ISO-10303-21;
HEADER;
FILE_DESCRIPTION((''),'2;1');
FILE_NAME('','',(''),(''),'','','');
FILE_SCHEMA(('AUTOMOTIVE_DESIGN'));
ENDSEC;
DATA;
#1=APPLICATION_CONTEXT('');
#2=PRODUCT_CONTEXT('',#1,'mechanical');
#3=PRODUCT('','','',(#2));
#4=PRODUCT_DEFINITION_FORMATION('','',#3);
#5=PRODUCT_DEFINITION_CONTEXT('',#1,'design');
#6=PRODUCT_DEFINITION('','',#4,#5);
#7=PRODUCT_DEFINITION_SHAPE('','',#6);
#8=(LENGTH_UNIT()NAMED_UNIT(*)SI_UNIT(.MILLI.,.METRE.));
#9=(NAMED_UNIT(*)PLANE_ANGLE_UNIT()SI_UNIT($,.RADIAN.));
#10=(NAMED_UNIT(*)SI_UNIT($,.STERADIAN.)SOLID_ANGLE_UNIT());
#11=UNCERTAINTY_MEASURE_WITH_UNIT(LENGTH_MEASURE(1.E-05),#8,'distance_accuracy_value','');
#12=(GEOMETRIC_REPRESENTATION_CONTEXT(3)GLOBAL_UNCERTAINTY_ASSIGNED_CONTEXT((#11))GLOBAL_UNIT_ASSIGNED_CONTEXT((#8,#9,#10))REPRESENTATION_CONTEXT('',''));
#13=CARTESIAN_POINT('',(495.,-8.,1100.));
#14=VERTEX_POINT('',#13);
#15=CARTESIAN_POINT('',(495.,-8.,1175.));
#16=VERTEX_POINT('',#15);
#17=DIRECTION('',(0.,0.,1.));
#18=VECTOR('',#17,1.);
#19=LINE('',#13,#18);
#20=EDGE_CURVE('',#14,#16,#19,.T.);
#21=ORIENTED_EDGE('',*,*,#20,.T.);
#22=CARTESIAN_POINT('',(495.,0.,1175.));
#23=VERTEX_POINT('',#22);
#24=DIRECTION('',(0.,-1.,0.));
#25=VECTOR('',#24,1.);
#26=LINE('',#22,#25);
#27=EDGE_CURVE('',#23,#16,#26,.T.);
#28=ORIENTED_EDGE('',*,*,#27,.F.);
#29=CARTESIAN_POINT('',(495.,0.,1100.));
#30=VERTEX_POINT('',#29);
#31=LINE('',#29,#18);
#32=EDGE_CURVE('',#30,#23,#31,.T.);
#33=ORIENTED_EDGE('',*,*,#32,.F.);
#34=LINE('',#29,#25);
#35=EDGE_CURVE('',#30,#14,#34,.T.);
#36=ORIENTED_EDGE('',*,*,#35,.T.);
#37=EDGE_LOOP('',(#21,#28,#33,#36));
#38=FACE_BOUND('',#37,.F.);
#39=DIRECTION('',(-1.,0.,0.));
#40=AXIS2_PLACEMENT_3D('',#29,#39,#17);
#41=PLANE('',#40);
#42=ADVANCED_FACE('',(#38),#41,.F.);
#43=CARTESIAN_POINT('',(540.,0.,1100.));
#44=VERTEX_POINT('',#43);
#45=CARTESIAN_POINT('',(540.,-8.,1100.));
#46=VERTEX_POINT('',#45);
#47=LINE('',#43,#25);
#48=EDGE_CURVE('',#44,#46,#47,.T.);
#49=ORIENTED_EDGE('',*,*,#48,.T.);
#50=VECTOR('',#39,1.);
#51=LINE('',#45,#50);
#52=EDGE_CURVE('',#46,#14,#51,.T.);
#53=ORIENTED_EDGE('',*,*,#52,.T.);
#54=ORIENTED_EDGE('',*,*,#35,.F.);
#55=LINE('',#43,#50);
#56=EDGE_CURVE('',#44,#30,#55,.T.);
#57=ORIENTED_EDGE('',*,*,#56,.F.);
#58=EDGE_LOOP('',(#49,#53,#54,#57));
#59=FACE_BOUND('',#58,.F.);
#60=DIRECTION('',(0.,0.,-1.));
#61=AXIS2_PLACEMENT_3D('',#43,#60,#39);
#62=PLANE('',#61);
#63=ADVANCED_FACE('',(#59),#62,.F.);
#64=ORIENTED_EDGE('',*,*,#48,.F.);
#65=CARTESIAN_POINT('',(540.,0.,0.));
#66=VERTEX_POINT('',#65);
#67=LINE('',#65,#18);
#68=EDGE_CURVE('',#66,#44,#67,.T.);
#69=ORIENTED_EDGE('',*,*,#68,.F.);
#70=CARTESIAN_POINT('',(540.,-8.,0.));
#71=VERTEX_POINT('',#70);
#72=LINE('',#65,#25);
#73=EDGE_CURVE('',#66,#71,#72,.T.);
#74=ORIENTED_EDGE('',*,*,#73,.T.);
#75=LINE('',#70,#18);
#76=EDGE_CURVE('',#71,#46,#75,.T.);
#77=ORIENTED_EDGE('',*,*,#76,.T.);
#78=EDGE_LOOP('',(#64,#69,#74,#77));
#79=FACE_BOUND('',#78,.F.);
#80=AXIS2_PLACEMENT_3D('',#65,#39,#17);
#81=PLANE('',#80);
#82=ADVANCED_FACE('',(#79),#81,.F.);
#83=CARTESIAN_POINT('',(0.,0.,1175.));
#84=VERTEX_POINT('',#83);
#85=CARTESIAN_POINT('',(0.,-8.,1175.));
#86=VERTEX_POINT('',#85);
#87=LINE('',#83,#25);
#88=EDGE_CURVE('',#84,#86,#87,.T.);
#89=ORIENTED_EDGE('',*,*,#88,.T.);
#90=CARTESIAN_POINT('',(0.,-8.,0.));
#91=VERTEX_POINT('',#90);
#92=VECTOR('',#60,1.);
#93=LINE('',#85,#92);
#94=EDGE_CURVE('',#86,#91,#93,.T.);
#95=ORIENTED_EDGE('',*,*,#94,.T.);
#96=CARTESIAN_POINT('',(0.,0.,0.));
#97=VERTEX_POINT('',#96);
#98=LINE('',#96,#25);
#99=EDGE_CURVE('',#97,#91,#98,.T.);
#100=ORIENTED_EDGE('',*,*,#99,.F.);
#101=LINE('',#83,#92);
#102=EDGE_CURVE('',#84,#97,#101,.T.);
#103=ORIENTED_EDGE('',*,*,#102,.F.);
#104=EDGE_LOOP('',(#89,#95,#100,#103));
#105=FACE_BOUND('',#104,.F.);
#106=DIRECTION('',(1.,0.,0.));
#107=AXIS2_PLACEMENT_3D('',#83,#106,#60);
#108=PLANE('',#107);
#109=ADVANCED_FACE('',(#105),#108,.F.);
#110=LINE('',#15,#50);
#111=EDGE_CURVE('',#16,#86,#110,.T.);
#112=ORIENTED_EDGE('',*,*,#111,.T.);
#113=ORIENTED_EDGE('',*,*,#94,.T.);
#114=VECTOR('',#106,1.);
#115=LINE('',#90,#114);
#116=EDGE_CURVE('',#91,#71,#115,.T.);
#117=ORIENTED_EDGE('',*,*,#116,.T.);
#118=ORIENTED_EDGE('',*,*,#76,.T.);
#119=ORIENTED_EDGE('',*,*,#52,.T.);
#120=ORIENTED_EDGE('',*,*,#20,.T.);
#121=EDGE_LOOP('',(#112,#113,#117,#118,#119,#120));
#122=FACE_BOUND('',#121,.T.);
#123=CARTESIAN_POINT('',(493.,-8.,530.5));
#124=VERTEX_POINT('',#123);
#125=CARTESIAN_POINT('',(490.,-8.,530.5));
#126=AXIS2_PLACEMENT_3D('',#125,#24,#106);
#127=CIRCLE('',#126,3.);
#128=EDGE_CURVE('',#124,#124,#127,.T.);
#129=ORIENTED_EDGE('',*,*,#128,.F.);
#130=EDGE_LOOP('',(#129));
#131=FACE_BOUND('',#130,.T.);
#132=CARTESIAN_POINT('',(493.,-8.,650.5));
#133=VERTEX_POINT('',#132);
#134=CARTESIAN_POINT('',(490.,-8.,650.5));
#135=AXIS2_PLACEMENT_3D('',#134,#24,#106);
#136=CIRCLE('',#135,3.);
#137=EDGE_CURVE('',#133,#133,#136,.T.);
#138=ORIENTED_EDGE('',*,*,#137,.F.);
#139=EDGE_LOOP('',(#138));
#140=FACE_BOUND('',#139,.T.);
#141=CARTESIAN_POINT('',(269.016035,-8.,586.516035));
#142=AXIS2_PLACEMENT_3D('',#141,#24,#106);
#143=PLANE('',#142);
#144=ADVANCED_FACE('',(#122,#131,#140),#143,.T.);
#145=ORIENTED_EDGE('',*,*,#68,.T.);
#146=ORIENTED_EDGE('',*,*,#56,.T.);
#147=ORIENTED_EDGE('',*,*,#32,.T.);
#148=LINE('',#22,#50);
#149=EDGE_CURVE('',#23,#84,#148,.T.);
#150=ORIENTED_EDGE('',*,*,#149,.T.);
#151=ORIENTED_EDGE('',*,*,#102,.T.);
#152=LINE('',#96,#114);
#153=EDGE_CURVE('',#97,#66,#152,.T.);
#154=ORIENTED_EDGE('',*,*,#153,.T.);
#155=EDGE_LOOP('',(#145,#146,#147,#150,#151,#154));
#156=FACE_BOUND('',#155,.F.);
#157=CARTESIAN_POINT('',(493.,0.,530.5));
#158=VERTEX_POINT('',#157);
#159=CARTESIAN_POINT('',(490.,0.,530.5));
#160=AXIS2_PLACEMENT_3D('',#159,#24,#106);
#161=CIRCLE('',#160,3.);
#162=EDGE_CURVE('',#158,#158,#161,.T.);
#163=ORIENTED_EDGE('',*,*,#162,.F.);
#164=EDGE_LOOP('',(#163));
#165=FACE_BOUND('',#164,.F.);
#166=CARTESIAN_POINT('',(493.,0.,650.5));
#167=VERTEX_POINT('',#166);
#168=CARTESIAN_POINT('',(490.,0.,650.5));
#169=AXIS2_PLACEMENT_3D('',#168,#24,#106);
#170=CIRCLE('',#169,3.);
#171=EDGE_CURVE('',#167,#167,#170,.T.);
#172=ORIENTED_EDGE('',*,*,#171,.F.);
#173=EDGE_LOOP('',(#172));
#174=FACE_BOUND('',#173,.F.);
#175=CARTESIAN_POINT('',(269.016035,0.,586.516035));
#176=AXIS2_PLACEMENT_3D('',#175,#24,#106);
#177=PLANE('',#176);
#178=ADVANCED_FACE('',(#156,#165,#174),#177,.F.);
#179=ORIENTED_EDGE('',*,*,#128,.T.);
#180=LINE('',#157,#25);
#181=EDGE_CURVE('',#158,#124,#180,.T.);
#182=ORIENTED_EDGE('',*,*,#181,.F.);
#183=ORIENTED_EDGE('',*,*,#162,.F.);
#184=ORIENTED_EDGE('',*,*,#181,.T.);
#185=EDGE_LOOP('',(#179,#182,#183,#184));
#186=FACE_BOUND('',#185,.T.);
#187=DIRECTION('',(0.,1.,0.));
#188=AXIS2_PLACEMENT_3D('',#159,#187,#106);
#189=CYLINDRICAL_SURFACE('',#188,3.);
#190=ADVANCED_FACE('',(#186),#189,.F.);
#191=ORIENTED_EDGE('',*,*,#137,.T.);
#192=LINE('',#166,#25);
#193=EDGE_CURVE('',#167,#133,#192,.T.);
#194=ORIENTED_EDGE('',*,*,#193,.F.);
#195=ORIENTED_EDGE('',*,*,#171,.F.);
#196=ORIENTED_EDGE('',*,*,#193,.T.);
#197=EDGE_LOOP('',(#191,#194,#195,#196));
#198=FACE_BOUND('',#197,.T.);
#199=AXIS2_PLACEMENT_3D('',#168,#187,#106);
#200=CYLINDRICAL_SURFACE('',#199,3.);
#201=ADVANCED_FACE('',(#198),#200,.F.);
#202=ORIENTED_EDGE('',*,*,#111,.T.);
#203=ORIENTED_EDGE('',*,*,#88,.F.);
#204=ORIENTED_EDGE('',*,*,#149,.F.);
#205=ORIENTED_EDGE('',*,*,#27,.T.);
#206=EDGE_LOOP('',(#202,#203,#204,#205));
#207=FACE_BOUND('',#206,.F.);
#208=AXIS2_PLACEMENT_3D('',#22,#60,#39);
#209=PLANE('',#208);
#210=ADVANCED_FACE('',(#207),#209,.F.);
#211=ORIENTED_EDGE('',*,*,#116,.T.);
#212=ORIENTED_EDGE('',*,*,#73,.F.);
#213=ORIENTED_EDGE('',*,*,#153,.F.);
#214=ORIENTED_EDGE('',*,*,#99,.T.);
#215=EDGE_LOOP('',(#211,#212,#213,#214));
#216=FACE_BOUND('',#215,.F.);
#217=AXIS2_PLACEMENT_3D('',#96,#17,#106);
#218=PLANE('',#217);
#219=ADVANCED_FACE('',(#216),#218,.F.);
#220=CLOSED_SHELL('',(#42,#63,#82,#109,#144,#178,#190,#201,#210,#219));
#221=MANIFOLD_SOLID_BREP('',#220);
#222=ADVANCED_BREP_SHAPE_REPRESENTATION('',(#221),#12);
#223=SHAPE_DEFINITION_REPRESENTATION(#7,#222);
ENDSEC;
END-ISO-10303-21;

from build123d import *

# Parameters (mm, degrees)
F0_R     = 3
F1_DEPTH = 8


with BuildPart() as f1:
    # F0 (on Front) → F1 (new body)
    with BuildSketch(Plane.XZ):
        Polygon((0, 1175), (0, 0), (540, 0), (540, 1100), (495, 1100), (495, 1175), align=None)
        with Locations((490, 530.5)):
            Circle(F0_R, mode=Mode.SUBTRACT)
        with Locations((490, 650.5)):
            Circle(F0_R, mode=Mode.SUBTRACT)
    extrude(amount=F1_DEPTH)


solid = f1.part
